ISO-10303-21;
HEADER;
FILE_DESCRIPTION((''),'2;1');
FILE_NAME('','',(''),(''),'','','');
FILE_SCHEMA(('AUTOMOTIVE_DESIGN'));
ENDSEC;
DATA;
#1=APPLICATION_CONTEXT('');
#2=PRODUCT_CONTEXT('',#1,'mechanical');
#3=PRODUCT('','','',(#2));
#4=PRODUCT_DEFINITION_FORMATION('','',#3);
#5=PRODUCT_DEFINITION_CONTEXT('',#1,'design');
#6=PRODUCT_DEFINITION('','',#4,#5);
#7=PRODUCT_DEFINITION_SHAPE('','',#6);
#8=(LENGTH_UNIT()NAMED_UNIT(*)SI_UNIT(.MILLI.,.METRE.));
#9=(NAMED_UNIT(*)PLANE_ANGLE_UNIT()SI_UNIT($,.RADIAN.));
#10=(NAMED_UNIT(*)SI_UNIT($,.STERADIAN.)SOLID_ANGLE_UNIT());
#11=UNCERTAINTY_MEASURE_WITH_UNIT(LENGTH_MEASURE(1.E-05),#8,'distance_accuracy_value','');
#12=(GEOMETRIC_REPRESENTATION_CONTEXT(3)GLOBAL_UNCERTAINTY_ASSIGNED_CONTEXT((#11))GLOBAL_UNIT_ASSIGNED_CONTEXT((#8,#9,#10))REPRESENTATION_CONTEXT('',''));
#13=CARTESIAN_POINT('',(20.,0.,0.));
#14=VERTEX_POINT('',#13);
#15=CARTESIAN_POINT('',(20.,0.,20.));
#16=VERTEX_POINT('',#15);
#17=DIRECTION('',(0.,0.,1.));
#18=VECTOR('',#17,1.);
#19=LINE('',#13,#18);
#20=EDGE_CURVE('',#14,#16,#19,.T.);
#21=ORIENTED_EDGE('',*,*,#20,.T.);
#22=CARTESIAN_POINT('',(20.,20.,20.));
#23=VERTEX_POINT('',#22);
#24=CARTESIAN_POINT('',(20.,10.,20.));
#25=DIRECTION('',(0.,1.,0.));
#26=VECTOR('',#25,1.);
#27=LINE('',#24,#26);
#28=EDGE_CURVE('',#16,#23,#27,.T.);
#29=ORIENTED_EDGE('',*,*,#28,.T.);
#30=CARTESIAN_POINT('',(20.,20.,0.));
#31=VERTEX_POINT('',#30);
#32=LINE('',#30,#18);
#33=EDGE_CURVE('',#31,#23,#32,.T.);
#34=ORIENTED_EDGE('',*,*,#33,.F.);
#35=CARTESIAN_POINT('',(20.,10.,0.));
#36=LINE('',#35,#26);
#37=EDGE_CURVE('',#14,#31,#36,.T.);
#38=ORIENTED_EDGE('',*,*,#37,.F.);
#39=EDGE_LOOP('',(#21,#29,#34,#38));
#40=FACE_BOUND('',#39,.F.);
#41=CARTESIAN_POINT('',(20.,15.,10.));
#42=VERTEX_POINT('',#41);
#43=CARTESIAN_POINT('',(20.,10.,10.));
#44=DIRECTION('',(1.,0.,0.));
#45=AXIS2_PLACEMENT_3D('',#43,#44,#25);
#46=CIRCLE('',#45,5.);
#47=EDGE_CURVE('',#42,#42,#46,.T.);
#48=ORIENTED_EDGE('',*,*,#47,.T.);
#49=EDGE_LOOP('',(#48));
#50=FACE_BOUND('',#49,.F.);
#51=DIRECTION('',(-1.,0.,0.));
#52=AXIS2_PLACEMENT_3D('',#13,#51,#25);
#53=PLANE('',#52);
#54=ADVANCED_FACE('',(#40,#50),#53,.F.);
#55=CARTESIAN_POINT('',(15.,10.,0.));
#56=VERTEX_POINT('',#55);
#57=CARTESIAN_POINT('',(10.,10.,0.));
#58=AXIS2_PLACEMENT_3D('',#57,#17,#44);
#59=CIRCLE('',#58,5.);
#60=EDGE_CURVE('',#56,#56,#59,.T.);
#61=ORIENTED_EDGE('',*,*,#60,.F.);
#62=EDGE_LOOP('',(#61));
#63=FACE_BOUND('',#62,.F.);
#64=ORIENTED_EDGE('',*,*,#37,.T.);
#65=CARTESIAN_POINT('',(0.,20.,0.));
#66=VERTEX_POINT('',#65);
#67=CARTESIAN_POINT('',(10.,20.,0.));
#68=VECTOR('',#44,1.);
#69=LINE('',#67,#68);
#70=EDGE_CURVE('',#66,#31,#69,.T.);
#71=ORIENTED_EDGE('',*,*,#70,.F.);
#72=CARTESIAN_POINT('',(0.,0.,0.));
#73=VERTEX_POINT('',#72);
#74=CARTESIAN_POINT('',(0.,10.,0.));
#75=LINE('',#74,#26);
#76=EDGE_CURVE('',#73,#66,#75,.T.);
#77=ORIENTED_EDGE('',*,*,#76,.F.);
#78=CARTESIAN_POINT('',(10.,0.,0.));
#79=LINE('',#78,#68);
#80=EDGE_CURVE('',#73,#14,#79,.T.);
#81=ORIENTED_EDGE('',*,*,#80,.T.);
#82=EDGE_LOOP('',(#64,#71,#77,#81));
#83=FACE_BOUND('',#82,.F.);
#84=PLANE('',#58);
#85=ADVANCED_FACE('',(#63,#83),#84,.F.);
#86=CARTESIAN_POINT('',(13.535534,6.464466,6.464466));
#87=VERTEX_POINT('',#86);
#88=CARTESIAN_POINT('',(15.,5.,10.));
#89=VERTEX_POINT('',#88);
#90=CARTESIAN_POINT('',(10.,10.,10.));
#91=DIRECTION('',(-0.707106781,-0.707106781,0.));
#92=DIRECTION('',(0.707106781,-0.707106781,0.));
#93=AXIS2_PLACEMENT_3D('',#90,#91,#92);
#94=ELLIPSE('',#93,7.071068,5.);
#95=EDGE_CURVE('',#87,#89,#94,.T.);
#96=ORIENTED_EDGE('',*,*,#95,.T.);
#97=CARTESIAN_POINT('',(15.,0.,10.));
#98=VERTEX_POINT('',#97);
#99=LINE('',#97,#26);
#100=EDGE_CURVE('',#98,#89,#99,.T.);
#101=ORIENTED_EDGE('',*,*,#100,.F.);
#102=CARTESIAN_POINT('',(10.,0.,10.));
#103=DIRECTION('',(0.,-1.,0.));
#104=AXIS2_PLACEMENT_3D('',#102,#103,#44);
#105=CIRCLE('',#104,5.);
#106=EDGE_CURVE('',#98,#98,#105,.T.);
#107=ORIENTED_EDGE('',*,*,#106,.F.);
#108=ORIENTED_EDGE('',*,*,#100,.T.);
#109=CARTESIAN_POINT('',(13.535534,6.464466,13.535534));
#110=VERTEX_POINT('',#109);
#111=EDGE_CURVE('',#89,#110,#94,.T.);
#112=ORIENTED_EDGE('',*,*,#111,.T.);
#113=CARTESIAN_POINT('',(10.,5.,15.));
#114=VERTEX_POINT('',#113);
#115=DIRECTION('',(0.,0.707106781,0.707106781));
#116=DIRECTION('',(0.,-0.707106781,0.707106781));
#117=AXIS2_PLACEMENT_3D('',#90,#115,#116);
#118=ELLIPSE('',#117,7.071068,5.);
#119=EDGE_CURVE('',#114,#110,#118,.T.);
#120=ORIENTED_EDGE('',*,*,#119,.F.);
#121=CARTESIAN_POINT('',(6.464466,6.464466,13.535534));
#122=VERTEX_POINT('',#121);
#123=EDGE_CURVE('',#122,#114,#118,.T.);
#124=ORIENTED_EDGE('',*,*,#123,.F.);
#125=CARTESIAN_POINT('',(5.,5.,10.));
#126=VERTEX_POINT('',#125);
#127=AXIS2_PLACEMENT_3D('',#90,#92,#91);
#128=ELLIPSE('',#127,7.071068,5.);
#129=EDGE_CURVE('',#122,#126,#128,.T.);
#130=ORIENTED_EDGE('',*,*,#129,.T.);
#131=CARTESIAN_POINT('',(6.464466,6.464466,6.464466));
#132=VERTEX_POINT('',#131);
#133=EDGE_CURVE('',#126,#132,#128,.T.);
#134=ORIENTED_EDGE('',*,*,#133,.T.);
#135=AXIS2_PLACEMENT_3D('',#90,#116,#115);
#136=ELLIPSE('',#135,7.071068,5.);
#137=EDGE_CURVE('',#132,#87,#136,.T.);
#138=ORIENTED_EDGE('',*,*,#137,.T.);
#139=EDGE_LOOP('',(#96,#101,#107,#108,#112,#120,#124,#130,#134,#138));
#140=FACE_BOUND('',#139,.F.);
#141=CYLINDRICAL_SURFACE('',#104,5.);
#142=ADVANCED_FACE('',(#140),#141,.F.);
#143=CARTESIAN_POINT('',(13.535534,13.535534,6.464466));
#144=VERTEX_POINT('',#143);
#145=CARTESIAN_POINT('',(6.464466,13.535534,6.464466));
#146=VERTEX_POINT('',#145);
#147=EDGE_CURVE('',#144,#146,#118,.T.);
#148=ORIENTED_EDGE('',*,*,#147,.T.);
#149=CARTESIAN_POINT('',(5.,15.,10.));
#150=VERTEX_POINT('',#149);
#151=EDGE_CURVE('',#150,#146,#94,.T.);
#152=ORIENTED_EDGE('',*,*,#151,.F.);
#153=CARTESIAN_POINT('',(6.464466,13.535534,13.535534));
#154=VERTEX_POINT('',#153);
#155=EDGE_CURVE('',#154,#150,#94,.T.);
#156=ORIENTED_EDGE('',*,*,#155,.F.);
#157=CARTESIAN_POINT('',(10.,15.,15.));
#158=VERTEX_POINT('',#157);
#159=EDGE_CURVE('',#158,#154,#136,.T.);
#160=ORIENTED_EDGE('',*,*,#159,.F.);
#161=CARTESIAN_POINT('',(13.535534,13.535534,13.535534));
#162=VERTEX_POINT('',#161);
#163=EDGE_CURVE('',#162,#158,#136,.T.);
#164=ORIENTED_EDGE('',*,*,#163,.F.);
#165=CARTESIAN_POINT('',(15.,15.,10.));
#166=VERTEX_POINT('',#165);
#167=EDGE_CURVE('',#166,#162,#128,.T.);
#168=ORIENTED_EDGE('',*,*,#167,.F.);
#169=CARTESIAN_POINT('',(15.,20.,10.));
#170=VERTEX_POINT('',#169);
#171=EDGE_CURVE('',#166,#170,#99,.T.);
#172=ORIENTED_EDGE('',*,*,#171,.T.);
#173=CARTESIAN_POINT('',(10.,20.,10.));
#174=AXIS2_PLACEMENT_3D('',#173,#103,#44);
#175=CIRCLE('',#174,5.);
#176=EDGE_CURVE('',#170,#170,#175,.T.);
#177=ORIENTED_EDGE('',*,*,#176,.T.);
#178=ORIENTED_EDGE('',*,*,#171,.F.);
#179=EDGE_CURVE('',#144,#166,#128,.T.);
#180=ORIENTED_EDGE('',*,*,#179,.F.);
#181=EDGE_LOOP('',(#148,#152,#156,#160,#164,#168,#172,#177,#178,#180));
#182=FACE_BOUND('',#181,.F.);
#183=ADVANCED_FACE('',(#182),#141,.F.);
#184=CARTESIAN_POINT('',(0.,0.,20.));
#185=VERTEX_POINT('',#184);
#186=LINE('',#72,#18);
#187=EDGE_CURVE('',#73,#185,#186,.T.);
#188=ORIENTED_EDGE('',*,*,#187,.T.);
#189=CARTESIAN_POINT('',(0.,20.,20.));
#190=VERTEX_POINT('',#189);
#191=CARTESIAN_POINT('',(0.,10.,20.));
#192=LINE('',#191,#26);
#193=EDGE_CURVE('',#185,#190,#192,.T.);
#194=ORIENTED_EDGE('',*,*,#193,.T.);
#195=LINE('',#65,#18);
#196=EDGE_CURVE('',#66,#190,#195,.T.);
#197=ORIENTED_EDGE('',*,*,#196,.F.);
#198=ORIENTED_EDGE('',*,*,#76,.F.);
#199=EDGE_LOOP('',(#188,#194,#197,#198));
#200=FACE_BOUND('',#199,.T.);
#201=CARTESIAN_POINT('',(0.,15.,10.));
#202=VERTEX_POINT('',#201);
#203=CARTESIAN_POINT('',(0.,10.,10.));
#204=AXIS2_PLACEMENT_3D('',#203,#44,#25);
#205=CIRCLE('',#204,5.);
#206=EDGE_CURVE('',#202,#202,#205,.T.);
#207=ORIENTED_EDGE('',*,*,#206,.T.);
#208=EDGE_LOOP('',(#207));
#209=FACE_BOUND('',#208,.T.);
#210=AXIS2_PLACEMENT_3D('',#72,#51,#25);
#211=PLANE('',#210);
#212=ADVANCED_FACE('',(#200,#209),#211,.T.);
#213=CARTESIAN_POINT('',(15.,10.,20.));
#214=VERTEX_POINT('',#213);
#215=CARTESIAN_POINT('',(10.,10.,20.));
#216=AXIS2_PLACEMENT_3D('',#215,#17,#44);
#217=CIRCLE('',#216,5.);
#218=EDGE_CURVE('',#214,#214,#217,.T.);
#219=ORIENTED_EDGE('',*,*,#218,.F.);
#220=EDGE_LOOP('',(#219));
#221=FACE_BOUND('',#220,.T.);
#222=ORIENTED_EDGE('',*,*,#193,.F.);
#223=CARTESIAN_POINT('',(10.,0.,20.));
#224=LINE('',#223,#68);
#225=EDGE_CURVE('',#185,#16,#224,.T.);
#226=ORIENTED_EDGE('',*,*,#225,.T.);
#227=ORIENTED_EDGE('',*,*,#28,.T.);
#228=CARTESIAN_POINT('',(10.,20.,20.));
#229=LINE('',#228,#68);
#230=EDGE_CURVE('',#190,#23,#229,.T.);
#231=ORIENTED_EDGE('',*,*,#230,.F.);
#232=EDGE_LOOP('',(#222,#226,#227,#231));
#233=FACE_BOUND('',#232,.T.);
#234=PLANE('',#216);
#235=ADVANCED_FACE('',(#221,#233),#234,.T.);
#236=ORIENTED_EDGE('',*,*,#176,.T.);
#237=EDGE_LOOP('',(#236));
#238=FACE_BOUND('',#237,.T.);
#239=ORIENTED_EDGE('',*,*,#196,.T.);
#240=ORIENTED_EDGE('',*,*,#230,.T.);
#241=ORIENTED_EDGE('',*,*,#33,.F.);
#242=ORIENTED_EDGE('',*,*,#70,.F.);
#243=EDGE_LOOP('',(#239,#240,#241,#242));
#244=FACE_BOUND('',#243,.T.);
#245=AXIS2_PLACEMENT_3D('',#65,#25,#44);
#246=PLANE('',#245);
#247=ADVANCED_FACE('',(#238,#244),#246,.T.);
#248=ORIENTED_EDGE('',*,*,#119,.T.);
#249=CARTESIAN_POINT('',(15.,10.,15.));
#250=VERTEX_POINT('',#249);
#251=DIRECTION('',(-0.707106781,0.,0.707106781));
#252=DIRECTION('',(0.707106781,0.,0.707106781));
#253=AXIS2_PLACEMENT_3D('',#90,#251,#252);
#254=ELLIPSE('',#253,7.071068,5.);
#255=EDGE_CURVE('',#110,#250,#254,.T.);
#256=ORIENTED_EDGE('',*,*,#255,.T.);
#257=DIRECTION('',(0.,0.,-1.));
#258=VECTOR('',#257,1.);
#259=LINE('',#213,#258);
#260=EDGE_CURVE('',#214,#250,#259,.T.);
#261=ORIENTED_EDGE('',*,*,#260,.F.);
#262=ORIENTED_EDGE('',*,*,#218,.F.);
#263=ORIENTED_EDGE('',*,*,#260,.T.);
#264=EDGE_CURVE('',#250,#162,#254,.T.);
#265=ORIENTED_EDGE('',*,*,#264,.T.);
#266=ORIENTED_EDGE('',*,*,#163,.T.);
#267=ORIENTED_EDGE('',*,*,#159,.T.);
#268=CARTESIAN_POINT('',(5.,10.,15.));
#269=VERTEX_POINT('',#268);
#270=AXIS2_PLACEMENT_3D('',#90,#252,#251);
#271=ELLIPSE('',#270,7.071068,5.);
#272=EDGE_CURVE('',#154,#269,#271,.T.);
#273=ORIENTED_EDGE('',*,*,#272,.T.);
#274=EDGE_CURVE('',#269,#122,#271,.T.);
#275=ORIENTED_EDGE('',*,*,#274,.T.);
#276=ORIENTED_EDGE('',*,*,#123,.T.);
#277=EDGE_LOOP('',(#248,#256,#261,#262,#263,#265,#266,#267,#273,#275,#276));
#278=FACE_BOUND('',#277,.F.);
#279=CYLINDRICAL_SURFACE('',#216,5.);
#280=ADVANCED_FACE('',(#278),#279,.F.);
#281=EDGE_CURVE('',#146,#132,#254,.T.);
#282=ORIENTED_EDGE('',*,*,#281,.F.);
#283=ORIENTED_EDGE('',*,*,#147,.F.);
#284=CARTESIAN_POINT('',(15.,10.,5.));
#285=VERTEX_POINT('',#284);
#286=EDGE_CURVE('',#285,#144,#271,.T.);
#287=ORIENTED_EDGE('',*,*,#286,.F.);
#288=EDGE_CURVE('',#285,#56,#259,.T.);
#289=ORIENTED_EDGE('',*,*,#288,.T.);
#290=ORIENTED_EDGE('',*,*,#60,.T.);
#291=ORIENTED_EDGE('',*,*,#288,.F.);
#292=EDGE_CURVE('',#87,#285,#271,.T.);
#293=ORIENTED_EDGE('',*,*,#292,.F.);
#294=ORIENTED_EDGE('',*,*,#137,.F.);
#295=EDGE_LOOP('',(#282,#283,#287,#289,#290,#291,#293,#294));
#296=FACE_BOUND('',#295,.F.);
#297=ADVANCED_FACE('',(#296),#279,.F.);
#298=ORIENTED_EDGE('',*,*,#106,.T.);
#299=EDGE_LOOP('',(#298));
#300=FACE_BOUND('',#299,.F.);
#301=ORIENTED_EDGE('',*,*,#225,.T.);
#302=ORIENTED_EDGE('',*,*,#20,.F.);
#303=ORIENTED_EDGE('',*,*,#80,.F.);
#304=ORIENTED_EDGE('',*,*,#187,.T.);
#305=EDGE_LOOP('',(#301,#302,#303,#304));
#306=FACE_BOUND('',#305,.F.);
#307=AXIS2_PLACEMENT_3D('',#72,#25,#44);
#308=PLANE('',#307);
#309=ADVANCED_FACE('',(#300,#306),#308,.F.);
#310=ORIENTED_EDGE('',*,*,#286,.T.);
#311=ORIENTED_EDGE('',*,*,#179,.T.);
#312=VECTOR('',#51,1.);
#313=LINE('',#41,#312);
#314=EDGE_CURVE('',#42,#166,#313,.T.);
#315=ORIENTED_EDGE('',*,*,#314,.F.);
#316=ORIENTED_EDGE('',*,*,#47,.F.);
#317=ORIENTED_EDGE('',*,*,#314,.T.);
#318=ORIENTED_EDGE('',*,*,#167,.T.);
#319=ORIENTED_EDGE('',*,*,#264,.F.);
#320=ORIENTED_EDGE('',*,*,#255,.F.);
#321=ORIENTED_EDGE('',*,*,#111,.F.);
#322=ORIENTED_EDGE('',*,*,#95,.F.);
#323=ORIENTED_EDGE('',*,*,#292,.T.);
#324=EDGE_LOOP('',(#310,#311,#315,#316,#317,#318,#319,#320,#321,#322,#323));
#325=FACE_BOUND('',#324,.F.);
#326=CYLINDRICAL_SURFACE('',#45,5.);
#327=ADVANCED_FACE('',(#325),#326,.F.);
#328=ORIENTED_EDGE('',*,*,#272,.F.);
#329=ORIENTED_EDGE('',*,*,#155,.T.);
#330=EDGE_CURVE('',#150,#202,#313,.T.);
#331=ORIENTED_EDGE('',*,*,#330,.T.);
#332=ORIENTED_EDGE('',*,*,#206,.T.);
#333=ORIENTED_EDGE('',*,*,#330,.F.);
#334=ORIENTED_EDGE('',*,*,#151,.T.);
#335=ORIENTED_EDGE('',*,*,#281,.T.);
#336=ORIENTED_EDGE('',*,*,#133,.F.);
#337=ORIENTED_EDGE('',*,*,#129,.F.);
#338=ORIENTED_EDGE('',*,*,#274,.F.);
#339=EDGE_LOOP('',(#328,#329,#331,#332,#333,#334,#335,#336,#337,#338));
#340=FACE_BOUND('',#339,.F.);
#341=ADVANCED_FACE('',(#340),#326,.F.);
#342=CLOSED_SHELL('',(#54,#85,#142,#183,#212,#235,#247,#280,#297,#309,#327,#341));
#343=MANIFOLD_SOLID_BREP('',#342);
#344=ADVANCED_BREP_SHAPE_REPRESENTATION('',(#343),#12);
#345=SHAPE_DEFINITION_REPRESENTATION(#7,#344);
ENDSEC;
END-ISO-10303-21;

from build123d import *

# Parameters (mm, degrees)
F0_W     = 20
F0_H     = 20
F1_DEPTH = 20
F2_R     = 5
F3_DEPTH = 25
F4_R     = 5
F5_DEPTH = 25
F6_R     = 5
F7_DEPTH = 25


with BuildPart() as f1:
    # F0 (on Top) → F1 (new body)
    with BuildSketch(Plane.XY):
        with Locations((10, 10)):
            Rectangle(F0_W, F0_H)
    extrude(amount=F1_DEPTH)

    # F2 (on face) → F3 (cut)
    with BuildSketch(Plane.XY.offset(20)):
        with Locations((10, 10)):
            Circle(F2_R)
    extrude(amount=-F3_DEPTH, mode=Mode.SUBTRACT)

    # F4 (on face) → F5 (cut)
    with BuildSketch(Plane.XZ):
        with Locations((10, 10)):
            Circle(F4_R)
    extrude(amount=-F5_DEPTH, mode=Mode.SUBTRACT)

    # F6 (on face) → F7 (cut)
    with BuildSketch(Plane.YZ.offset(20)):
        with Locations((10, 10)):
            Circle(F6_R)
    extrude(amount=-F7_DEPTH, mode=Mode.SUBTRACT)


solid = f1.part
